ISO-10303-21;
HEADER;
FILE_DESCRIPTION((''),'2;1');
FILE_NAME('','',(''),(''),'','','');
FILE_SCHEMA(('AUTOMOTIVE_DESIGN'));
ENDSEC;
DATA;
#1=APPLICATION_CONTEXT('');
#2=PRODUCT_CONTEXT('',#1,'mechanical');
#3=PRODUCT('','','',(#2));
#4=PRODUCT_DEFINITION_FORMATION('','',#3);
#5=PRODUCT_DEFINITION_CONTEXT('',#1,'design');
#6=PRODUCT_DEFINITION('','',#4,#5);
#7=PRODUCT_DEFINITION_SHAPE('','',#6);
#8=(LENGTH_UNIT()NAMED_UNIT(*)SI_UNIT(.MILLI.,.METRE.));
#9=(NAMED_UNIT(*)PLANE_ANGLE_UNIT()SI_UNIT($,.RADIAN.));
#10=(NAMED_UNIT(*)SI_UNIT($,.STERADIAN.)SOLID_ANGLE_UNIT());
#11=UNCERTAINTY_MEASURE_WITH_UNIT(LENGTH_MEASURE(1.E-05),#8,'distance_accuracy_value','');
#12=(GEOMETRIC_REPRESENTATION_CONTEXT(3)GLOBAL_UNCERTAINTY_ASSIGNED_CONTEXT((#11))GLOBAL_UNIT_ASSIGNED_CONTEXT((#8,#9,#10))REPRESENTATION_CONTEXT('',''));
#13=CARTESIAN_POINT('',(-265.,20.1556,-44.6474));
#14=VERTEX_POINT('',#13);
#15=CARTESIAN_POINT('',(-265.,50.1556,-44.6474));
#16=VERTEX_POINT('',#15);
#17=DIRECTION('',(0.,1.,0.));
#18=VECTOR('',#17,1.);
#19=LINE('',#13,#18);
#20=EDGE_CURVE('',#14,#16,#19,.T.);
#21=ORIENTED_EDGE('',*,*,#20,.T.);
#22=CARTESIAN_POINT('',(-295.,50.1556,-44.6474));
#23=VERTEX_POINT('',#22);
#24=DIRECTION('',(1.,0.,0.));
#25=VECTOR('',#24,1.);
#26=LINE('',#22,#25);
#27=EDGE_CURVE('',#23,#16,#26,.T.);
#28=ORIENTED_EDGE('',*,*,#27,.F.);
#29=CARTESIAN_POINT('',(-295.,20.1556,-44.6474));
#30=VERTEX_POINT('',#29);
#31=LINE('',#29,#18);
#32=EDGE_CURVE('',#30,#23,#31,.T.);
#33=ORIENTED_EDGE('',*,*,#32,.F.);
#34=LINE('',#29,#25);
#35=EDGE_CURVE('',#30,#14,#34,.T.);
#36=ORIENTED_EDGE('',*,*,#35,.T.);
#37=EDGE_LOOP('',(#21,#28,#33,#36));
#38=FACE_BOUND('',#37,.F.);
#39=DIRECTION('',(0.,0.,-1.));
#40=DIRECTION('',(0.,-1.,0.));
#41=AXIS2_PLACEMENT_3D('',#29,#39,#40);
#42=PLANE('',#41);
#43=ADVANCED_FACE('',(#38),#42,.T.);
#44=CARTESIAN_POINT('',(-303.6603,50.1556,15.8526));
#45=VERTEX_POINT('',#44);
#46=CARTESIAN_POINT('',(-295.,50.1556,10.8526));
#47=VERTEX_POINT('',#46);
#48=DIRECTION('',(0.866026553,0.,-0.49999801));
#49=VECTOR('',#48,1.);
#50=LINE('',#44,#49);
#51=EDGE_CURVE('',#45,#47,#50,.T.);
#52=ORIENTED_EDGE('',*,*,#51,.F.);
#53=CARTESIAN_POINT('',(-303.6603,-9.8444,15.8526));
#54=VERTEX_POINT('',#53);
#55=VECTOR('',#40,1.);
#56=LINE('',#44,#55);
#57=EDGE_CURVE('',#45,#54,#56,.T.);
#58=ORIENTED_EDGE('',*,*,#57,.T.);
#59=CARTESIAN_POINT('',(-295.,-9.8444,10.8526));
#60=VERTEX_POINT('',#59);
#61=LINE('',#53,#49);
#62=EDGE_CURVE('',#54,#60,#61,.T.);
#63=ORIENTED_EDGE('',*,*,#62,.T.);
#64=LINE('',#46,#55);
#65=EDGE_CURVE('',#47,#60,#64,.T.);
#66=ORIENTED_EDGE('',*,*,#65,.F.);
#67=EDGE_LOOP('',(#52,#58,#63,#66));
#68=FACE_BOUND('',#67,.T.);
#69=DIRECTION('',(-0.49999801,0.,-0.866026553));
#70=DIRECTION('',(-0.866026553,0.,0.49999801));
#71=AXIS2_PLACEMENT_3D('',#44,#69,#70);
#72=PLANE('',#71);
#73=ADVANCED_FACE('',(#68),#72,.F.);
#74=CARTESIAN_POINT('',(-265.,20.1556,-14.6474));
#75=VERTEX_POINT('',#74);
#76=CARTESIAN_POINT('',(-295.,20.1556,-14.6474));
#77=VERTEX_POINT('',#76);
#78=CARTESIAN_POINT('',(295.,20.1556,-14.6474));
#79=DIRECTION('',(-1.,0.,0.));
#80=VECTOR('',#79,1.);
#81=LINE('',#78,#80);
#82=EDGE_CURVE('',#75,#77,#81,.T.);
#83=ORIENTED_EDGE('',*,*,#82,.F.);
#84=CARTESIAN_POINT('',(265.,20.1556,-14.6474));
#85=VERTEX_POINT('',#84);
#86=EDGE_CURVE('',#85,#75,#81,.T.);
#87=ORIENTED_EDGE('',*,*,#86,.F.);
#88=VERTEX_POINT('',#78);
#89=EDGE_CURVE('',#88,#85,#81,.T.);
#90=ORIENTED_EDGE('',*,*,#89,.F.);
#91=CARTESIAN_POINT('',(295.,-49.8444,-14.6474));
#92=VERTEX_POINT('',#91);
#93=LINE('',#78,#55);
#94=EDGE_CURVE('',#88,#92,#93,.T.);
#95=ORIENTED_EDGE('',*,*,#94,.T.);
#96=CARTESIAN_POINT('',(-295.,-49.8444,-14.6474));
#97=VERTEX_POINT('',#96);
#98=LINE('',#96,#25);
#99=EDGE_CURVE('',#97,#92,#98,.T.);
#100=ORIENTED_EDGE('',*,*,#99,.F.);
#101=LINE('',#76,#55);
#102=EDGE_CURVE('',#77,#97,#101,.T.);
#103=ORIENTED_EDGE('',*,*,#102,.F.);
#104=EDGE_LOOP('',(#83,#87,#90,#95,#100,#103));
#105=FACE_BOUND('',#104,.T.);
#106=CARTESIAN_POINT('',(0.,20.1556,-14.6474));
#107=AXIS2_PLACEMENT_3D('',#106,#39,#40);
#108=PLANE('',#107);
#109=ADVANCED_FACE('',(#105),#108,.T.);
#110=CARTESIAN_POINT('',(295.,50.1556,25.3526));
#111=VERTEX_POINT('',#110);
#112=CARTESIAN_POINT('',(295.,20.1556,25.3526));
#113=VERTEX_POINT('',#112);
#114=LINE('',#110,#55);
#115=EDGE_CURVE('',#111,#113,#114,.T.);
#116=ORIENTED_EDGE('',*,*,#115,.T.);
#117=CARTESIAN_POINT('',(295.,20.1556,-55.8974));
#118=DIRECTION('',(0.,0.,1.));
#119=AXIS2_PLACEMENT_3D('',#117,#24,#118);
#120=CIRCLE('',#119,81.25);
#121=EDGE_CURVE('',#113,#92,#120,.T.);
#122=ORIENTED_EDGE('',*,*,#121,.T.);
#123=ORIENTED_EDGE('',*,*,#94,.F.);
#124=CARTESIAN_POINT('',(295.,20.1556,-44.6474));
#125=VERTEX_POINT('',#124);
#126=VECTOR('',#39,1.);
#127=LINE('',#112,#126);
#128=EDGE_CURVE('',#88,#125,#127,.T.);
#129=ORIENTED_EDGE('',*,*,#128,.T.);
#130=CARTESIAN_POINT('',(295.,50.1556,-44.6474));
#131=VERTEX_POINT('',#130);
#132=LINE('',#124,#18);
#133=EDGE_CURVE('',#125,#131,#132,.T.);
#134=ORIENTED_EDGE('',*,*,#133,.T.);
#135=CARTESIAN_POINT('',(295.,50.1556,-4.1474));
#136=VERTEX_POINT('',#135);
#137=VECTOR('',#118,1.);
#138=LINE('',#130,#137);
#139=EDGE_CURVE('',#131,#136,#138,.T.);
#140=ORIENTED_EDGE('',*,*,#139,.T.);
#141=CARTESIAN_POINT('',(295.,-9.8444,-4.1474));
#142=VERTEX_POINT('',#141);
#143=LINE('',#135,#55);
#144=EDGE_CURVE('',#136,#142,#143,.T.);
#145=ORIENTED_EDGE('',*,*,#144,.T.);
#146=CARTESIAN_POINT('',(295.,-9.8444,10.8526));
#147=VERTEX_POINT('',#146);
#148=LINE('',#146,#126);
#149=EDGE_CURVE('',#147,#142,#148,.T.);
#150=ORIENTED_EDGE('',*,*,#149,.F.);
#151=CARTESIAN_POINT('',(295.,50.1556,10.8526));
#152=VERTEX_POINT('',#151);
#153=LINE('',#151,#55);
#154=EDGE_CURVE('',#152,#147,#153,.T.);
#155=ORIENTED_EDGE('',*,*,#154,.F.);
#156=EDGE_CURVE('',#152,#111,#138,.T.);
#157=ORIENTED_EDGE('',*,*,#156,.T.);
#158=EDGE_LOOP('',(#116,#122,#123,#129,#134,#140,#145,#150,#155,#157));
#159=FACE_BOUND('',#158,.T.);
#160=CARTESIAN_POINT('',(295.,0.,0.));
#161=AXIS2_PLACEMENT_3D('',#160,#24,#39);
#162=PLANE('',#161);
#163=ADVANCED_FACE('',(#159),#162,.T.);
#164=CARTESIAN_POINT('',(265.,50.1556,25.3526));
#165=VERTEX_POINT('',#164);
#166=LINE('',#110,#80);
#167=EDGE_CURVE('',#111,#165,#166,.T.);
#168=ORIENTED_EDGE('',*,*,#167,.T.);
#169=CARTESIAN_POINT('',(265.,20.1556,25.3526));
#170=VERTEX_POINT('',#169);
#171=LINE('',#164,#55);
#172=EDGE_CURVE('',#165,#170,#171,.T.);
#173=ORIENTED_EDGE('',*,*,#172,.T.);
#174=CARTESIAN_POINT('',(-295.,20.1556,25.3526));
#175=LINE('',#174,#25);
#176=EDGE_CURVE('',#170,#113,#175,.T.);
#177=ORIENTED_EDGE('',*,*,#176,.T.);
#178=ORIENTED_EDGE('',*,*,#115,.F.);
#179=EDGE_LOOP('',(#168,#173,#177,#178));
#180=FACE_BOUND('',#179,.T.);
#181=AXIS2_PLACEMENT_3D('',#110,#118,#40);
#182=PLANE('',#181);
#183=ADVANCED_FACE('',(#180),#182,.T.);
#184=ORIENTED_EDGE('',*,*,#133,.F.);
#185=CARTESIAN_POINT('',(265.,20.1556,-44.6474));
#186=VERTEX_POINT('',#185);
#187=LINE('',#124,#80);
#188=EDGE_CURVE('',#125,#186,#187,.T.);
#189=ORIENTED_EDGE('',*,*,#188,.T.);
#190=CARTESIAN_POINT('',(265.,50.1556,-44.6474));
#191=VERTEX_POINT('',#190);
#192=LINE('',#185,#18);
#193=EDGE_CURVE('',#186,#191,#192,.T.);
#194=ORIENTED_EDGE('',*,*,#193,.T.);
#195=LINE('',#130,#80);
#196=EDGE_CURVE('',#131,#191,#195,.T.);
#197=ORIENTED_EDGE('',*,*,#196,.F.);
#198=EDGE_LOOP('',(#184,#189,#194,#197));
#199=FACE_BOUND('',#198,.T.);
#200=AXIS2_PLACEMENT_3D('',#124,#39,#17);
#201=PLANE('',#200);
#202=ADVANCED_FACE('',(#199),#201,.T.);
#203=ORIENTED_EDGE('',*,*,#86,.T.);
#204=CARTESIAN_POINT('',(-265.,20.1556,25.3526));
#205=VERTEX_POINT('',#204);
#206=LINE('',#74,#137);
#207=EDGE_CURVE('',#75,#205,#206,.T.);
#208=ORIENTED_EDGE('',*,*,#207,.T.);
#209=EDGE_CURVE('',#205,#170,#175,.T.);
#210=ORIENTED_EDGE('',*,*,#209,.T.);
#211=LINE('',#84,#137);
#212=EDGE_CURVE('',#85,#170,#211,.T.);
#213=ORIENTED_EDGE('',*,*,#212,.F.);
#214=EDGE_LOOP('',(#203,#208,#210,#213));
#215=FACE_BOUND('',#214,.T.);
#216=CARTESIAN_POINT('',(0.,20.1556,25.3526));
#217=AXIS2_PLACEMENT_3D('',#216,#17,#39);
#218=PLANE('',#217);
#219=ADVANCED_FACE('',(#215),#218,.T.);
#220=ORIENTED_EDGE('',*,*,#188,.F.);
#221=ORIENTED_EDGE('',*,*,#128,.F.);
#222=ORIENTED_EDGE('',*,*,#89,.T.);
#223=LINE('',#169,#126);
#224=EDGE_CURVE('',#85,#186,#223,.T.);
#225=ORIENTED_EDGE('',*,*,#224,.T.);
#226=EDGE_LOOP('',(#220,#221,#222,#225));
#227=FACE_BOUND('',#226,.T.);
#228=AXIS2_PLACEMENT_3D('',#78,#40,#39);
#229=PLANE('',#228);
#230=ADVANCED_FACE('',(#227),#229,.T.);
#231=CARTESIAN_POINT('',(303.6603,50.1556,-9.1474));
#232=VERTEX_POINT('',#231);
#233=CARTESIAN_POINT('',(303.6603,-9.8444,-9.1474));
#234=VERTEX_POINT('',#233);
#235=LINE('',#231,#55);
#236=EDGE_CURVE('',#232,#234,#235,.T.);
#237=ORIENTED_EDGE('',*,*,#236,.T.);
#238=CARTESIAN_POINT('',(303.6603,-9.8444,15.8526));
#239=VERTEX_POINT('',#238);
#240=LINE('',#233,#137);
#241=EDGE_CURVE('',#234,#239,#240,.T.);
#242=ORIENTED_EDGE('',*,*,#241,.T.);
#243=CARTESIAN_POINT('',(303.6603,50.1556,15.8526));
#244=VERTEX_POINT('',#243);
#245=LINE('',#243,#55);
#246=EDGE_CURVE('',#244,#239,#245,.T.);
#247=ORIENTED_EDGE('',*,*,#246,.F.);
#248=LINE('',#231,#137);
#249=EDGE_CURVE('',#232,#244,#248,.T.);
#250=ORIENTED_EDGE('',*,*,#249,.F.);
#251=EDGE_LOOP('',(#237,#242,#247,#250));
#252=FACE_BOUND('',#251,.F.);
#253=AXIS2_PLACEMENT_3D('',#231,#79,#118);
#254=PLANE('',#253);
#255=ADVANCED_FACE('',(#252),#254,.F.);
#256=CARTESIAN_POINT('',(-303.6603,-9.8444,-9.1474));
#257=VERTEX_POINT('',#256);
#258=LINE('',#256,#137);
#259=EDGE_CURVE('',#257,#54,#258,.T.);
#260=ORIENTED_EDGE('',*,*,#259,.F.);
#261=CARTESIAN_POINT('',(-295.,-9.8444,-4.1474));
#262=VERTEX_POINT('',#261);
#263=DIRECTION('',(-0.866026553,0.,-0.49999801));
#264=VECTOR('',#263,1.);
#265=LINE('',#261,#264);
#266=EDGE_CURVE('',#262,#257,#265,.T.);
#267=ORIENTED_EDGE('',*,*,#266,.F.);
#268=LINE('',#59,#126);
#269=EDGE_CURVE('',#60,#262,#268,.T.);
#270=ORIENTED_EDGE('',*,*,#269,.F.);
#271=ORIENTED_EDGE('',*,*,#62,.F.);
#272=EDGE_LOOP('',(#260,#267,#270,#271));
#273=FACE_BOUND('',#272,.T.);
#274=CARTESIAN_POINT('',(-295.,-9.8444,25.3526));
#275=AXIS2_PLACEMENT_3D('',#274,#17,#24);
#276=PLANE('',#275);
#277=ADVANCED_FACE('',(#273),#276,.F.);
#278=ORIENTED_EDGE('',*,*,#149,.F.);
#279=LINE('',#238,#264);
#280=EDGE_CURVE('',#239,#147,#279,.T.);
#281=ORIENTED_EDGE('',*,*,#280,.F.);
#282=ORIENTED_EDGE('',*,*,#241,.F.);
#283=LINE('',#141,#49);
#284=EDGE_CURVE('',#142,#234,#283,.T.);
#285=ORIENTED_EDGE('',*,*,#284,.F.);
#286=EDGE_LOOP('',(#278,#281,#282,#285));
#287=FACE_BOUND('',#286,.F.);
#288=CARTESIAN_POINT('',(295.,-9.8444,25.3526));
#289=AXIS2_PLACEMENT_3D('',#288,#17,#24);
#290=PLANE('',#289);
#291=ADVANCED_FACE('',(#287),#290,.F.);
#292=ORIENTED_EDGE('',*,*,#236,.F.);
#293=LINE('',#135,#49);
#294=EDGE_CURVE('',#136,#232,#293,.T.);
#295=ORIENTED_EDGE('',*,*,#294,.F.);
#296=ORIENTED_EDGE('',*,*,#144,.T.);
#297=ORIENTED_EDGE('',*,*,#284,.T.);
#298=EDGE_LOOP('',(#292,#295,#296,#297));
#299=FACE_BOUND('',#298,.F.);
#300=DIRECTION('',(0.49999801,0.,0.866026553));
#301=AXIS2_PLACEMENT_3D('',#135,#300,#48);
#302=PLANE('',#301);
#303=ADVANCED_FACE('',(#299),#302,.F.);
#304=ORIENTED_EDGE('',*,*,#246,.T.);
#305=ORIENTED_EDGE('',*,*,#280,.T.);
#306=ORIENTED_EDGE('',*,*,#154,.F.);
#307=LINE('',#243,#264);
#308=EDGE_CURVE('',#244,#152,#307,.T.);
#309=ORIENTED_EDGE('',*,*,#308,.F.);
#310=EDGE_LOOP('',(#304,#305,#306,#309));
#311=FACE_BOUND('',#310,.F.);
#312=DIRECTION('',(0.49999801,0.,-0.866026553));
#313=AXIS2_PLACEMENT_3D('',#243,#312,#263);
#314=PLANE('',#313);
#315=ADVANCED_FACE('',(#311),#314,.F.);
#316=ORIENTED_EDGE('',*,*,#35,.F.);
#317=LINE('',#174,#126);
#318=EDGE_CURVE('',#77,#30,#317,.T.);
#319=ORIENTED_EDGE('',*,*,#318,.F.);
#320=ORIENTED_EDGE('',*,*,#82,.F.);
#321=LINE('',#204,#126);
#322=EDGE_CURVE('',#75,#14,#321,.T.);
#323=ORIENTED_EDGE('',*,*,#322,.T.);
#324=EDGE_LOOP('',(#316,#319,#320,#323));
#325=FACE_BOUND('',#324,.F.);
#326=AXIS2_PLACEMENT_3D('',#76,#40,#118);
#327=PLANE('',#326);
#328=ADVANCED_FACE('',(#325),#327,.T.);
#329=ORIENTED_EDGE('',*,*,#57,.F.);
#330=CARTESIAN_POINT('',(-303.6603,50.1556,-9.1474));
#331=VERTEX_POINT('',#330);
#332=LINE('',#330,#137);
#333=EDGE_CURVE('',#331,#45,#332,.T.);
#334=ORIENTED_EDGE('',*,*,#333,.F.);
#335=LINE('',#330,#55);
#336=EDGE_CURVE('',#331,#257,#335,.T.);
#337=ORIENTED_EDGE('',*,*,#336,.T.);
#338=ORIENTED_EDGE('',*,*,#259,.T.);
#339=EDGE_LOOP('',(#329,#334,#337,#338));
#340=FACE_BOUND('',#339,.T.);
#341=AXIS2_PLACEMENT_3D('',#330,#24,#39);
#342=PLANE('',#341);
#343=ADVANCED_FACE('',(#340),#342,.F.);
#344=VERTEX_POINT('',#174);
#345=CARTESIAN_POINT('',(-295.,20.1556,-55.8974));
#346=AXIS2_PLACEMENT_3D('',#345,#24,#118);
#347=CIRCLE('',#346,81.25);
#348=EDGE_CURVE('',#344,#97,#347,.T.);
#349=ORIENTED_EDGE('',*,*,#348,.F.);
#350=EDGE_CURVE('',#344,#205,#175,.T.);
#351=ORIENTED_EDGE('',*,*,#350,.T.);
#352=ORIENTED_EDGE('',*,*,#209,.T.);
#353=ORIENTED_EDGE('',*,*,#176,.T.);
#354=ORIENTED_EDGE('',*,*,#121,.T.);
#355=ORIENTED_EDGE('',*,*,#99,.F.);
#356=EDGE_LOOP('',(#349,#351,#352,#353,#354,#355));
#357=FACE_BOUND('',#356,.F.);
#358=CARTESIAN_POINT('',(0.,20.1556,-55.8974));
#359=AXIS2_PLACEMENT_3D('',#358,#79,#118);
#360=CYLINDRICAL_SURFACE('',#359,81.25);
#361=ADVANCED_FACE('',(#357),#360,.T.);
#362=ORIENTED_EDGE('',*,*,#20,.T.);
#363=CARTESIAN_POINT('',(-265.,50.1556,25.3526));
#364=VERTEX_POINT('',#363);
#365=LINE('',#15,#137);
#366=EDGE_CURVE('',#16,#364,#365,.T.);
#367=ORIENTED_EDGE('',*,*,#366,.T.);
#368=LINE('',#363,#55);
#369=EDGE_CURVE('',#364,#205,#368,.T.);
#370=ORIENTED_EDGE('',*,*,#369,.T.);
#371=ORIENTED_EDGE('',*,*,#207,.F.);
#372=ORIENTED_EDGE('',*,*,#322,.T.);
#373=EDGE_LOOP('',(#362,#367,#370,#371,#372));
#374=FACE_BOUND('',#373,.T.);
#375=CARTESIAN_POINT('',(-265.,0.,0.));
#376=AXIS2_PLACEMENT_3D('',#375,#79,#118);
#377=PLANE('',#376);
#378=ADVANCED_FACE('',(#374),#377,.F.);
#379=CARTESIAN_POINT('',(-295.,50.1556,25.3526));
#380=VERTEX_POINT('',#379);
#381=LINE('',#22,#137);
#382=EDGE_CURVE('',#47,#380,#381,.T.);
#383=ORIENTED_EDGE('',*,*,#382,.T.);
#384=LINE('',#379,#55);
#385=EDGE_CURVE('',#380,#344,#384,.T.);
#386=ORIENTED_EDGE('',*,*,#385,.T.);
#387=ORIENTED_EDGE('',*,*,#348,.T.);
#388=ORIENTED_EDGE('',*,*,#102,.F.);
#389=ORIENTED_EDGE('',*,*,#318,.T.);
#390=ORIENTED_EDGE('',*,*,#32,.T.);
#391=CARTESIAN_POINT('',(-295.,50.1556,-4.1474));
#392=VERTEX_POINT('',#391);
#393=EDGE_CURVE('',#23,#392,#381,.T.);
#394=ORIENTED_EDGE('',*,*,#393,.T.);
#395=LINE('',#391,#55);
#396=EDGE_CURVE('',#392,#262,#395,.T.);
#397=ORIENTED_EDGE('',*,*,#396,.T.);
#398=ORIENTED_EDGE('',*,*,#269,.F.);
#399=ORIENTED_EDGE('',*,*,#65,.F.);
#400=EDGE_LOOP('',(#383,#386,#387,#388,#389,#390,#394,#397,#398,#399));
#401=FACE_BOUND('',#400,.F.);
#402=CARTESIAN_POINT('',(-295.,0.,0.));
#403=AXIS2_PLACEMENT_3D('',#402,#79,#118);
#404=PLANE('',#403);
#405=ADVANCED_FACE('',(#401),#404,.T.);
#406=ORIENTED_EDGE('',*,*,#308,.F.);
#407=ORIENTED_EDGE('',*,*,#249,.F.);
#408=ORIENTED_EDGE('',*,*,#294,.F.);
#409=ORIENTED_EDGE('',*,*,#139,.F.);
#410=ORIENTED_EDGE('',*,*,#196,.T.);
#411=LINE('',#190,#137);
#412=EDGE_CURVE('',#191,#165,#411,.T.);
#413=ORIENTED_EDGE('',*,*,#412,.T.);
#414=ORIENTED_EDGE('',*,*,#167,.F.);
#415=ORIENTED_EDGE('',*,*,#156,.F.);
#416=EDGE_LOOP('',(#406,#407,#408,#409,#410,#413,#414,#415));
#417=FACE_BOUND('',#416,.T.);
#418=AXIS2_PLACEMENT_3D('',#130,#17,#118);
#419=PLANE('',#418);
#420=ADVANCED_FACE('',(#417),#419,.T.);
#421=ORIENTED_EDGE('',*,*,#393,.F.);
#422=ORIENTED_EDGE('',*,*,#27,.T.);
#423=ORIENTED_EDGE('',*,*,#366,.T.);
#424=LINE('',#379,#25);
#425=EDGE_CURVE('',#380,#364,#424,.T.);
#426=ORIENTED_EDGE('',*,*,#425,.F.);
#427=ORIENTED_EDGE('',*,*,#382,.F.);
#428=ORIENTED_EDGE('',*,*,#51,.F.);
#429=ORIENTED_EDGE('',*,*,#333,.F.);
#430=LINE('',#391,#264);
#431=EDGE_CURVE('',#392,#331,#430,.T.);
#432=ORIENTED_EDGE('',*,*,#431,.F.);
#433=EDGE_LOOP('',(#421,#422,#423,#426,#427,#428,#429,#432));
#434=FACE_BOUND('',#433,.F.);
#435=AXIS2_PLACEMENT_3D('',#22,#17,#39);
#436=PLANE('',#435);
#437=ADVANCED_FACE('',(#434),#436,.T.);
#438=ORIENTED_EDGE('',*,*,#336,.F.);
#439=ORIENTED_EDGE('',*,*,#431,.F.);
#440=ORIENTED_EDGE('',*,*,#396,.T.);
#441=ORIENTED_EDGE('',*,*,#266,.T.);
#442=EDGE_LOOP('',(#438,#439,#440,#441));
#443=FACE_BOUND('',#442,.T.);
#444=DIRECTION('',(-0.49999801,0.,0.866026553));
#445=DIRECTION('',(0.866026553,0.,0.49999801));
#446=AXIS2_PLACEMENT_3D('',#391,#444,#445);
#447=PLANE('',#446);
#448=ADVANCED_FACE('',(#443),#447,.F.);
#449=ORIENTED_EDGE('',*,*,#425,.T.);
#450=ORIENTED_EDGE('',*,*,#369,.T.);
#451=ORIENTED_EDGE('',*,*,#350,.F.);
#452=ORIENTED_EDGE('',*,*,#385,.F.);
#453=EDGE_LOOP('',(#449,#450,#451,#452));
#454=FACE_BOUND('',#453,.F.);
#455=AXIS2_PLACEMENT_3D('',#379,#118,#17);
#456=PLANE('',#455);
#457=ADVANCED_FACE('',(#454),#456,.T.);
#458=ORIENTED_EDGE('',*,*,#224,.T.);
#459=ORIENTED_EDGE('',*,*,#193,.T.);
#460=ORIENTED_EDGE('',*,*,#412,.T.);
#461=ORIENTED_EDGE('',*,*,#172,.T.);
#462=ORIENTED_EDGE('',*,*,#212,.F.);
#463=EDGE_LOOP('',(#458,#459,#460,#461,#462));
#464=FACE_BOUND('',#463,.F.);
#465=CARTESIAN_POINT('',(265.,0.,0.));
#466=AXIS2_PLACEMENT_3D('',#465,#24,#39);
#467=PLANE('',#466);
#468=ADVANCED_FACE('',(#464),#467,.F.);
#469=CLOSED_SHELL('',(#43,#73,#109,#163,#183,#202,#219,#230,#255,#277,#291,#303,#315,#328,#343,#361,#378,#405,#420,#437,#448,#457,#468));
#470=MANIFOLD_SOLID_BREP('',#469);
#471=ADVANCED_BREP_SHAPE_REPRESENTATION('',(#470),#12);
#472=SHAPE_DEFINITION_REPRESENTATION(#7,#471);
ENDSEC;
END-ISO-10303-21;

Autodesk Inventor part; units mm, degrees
ref_plane "YZ Plane" through (0, 0, 0) normal (1, 0, 0) x (0, 1, 0)
ref_plane "XZ Plane" through (0, 0, 0) normal (0, 1, 0) x (-1, 0, 0)
ref_plane "XY Plane" through (0, 0, 0) normal (0, 0, 1) x (1, 0, 0)
sketch "Эскиз1" plane through (0, 0, 0) normal (1, 0, 0) x (0, 1, 0)
  line L0 (20.1556, 25.3526) -> (20.1556, -14.6474)
  line L1 (20.1556, -14.6474) -> (-49.8444, -14.6474)
  arc A0 (20.1556, 25.3526) -> (-49.8444, -14.6474) centre (20.1556, -55.8974) ccw
  line L2 (20.1556, -14.6474) -> (-20.1556, 14.6474) construction
  point P0 (0, 0)
  point P1 (0, 0)
  dimension "d0" = 70
  dimension "d2" = 40
extrude "Выдавливание1" add sketch "Эскиз1" along normal mid plane 590
sketch "Эскиз6" plane through (295, 0, 0) normal (1, 0, 0) x (0, 0, -1)
  line L0 (14.6474, 20.1556) -> (-25.3526, 20.1556) projected
  line L1 (-25.3526, 20.1556) -> (44.6474, 20.1556)
  line L2 (44.6474, 20.1556) -> (44.6474, 50.1556)
  line L3 (44.6474, 50.1556) -> (-25.3526, 50.1556)
  line L4 (-25.3526, 50.1556) -> (-25.3526, 20.1556)
  point P0 (0, 0)
  dimension "d13" = 70
  dimension "d14" = 30
extrude "Выдавливание3" add sketch "Эскиз6" against normal blind 30
sketch "Эскиз7" plane through (295, 50.1556, 25.3526) normal (0, 1, 0) x (1, 0, 0)
  line L0 (0, 29.5) -> (8.6603, 34.5) projected
  line L1 (0, 14.5) -> (0, 29.5) projected
  line L2 (8.6603, 9.5) -> (0, 14.5) projected
  line L3 (8.6603, 34.5) -> (8.6603, 9.5) projected
  point P0 (-295, 25.3526)
extrude "Выдавливание4" add sketch "Эскиз7" against normal blind 60
mirror "Зеркальное отражение3" about plane through (0, 0, 0) normal (1, 0, 0) of "Выдавливание3", "Выдавливание4"
properties part number "Нижний край"
